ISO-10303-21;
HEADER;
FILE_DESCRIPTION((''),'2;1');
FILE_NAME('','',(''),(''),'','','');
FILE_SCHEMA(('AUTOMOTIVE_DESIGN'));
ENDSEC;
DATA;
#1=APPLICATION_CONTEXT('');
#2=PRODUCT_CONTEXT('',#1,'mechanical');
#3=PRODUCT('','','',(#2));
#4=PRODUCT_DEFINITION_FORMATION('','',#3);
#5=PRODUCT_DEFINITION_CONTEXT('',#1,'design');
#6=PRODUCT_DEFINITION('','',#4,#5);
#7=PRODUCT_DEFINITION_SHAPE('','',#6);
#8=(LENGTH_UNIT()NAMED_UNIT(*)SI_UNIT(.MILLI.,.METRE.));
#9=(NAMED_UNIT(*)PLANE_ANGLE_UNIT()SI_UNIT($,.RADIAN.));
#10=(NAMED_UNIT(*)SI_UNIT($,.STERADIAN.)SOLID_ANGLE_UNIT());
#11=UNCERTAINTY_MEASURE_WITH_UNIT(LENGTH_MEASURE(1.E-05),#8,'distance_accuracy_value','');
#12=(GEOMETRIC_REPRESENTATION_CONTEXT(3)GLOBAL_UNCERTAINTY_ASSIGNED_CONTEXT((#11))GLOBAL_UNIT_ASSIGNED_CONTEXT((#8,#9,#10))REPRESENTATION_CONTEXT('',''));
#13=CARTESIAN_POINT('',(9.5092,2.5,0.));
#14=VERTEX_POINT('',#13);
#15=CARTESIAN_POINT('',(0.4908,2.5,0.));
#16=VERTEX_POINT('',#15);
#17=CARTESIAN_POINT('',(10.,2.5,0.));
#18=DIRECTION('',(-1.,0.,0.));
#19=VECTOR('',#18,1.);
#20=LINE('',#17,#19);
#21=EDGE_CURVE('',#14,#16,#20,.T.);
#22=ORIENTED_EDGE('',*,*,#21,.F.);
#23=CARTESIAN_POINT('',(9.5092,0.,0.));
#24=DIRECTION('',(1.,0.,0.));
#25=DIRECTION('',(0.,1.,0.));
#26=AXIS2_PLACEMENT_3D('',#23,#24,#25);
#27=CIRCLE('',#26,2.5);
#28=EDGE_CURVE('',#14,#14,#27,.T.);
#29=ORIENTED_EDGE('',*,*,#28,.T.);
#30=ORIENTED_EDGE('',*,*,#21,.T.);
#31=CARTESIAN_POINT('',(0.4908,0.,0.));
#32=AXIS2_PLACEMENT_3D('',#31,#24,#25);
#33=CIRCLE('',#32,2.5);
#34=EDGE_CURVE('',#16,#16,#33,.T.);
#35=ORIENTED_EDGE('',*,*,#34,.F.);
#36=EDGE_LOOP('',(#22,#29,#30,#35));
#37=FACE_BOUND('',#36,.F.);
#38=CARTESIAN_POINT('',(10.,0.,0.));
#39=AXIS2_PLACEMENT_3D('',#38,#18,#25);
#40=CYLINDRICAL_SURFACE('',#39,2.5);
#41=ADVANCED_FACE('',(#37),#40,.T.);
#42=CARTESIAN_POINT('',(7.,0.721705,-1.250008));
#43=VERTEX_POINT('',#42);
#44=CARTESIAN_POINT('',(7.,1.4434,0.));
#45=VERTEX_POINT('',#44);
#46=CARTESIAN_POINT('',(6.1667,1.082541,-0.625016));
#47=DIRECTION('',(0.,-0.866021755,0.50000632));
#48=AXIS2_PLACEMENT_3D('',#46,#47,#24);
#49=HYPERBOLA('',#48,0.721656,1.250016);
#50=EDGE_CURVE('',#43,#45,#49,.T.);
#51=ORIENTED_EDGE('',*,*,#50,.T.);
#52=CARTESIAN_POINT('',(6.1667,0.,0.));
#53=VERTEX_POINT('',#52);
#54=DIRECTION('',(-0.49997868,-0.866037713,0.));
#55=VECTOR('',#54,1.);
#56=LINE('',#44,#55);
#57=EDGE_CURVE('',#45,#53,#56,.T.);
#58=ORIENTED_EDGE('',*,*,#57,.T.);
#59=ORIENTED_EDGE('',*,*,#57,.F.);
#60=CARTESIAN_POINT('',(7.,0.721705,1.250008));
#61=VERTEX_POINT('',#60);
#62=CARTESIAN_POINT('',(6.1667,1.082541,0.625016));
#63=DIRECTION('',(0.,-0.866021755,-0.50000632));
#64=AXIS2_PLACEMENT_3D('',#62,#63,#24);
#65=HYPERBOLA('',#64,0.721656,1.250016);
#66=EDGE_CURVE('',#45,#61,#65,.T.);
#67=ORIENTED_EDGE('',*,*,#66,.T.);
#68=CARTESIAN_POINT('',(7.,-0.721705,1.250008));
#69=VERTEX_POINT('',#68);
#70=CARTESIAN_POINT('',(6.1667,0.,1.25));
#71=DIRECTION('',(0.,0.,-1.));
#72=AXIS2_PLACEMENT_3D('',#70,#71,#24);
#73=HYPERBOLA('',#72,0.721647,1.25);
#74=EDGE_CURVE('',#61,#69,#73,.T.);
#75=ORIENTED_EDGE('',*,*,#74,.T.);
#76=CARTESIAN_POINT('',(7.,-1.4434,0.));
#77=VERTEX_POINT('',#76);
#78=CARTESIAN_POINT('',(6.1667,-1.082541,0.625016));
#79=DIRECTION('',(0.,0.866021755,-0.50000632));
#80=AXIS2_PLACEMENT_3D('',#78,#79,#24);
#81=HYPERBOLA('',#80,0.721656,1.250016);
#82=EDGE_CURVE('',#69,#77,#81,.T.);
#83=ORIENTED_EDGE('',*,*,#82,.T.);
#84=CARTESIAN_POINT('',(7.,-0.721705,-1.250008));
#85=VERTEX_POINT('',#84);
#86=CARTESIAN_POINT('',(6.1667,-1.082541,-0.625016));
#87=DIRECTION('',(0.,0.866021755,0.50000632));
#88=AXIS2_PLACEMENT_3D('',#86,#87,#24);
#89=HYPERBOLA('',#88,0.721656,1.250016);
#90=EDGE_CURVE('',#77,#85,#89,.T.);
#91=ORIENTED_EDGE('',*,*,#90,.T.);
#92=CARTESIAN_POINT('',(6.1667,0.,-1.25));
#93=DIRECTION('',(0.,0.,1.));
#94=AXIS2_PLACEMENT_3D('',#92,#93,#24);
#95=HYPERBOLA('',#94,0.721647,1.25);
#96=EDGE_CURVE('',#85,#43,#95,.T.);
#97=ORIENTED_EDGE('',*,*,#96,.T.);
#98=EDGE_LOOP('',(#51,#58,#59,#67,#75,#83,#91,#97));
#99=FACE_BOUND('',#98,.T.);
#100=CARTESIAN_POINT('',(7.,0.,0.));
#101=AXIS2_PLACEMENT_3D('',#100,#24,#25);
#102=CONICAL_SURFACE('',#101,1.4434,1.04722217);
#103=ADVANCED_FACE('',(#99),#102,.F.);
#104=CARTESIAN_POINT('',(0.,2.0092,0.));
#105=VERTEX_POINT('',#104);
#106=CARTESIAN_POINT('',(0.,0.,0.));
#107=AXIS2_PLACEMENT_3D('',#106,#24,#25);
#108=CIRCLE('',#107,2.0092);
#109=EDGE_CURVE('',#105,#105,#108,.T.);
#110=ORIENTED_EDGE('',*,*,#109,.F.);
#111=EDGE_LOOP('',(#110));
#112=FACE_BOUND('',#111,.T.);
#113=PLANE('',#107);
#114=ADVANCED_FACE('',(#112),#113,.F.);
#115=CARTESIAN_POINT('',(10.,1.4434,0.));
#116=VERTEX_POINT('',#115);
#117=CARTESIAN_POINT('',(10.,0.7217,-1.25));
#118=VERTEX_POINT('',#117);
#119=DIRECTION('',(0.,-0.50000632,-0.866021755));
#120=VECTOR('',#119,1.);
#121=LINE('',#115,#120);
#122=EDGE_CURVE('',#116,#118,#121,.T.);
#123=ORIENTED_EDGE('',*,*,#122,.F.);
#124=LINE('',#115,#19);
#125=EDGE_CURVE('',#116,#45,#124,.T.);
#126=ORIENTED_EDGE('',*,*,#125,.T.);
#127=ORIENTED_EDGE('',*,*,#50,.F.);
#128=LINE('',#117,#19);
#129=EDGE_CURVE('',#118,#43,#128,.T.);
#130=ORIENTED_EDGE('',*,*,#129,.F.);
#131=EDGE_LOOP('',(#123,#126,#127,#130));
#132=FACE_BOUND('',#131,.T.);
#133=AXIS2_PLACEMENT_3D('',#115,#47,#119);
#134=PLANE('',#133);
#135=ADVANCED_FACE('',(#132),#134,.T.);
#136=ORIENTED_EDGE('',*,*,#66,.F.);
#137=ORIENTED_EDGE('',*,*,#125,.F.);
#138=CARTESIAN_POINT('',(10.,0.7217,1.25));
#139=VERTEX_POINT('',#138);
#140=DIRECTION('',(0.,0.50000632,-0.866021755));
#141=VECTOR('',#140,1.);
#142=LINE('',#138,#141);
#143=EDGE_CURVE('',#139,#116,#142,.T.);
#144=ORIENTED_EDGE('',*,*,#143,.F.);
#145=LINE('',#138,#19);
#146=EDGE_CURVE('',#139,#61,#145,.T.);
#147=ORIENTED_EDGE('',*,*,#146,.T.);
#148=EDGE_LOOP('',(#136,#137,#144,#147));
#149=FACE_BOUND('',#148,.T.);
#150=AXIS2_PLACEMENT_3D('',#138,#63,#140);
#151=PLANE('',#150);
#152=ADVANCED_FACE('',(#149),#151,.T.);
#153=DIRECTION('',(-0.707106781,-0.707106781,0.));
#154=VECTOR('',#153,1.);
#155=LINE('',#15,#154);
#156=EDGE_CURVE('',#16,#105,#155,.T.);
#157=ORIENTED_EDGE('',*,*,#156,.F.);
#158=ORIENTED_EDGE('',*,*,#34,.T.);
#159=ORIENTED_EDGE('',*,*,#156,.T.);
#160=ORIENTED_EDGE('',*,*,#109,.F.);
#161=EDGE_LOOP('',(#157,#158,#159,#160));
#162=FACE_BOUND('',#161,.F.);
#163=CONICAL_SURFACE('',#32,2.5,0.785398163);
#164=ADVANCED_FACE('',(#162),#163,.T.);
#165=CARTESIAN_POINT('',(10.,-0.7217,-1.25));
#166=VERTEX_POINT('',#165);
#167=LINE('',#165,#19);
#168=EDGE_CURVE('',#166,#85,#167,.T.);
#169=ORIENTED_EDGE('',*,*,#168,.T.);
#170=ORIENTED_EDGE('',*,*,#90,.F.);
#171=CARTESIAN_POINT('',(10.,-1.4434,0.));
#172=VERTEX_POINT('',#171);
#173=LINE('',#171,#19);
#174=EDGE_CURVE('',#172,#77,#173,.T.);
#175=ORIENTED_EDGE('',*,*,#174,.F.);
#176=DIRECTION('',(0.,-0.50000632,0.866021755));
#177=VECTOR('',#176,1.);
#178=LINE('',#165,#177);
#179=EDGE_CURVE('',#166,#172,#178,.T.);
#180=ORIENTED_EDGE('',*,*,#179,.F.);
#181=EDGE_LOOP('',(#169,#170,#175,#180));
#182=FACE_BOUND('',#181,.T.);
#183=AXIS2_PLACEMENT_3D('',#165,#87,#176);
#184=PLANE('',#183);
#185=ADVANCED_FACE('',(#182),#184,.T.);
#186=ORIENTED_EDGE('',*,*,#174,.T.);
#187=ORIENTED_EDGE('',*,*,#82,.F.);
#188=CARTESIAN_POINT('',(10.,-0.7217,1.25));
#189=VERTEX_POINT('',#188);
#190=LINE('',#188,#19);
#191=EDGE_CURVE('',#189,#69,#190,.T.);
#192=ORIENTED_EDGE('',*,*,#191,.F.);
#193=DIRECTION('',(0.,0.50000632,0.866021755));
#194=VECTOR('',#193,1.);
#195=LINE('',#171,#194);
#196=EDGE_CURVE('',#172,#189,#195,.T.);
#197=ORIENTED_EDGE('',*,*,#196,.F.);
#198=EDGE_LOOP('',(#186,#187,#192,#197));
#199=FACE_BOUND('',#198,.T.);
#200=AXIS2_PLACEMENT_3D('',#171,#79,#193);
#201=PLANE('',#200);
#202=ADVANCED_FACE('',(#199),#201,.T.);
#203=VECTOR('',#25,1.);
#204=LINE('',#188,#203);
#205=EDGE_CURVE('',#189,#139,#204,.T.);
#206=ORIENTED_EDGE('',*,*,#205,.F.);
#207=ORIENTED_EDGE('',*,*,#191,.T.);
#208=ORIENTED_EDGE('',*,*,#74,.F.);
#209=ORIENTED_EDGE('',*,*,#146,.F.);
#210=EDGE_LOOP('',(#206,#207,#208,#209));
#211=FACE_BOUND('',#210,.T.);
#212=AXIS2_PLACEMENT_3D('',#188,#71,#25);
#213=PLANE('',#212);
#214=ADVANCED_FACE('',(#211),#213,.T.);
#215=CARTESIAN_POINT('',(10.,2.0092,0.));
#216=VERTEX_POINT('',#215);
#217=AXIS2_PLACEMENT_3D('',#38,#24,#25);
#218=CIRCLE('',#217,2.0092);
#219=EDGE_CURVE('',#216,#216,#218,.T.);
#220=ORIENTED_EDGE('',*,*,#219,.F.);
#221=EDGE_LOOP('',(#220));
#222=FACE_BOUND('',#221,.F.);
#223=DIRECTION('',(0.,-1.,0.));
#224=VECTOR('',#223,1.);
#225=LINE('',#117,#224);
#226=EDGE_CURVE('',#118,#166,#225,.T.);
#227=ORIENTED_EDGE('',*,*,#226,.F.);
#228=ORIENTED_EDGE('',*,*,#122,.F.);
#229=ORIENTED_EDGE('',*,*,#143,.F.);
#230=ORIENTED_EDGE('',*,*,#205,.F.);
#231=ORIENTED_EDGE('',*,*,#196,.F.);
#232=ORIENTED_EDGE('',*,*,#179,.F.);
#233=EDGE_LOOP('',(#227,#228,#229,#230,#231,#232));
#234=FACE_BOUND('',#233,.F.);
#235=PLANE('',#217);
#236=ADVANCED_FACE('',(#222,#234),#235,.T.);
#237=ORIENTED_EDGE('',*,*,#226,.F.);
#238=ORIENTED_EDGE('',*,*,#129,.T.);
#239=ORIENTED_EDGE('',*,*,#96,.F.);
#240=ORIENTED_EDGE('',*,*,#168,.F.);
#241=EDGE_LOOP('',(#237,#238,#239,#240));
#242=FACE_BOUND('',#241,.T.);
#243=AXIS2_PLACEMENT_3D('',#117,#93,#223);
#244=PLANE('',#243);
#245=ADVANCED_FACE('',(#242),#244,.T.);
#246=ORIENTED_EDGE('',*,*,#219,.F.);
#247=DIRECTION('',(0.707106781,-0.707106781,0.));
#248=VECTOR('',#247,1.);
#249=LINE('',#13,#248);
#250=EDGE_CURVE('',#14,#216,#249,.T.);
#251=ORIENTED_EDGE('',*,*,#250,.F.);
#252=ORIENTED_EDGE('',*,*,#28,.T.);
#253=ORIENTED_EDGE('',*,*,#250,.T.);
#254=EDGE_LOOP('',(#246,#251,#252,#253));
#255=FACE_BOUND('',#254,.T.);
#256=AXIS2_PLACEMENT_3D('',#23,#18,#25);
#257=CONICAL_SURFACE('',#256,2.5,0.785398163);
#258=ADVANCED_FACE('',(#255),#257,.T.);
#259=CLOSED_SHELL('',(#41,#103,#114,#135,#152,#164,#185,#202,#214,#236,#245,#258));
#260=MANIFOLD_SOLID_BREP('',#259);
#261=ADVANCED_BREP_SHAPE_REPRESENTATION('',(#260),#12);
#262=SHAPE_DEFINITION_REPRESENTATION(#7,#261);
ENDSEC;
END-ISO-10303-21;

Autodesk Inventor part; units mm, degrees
ref_plane "YZ Plane" through (0, 0, 0) normal (1, 0, 0) x (0, 1, 0)
ref_plane "XZ Plane" through (0, 0, 0) normal (0, 1, 0) x (-1, 0, 0)
sketch "Skizze1" plane through (0, 0, 0) normal (0, 0, 1) x (1, 0, 0)
  line L0 (0, 0) -> (6.1667, 0)
  line L1 (10, 1.4434) -> (10, 2.5)
  line L2 (10, 2.5) -> (0, 2.5)
  line L3 (10, 1.4434) -> (7, 1.4434)
  line L4 (7, 1.4434) -> (6.1667, 0)
  line L5 (0, -0.5) -> (0, 3) projected
  line L6 (0, 2.5) -> (0, 0)
  dimension "d0" = 3
  dimension "d1" = 60
  dimension "d2" = 5
  dimension "d3" = 2.8868
  dimension "d5" = 10
revolve "Körper" add sketch "Skizze1" angle 360 about axis through (0, 0, 0) along (1, 0, 0)
sketch "Skizze2" plane through (10, 0, 0) normal (1, 0, 0) x (0, 1, 0)
  circle A0 centre (0, 0) radius 1.4434 projected
  line L0 (-0.7217, 1.25) -> (0.7217, 1.25)
  line L1 (0.7217, 1.25) -> (1.4434, 0)
  line L2 (1.4434, 0) -> (0.7217, -1.25)
  line L3 (0.7217, -1.25) -> (-0.7217, -1.25)
  line L4 (-0.7217, -1.25) -> (-1.4434, 0)
  line L5 (-1.4434, 0) -> (-0.7217, 1.25)
  point P0 (0, 0)
  point P1 (0, 0)
extrude "Loch" add sketch "Skizze2" against normal up to next contours L1 A0 | A0 L2 | L0 A0 | A0 L3 | L5 A0 | A0 L4
thread "Gewinde" size "M5x0.8" class "6g" standard "ISO Metric profile" length 10
chamfer "Fase1" distance 0.4908 angle 45 1 edges at (10, -2.5, 0) measured on face at (6.6667, 2.4919, -0.2012)
chamfer "Fase2" distance 0.4908 angle 45 1 edges at (0, -2.5, 0) measured on face at (3.1697, 2.4919, -0.2012)
ref_plane "Work Plane1" through (5, 0, 0) normal (0, 0, 1) x (1, 0, 0)
equation "\"d0\" = INTI"
equation "\"d2\" = NND"
equation "\"d3\" = 1.1547 * SW"
equation "\"d5\" = NLG"
equation "\"d8\" = NLG"
equation "\"d10\" = -0.5 * GD1 + 0.5 * NND"
equation "\"d11\" = FAWI"
equation "\"d34\" = -0.5 * GD1 + 0.5 * NND"
equation "\"d12\" = -0.5 * GD1 + 0.5 * NND"
equation "\"d13\" = FAWI"
equation "\"d35\" = -0.5 * GD1 + 0.5 * NND"
equation "\"NND\" = 5"
equation "\"NLG\" = 10"
equation "\"INTI\" = 3"
equation "\"FAWI\" = 45deg"
equation "\"SW\" = 2.5"
equation "\"GD1\" = THREADDIA - 1.2269 * PTC"
equation "\"SPD\" = 3.5"
equation "\"GUL\" = 0.61345 * PTC"
equation "\"TOA\" = 30deg"
equation "\"THREADDIA\" = 5"
equation "\"PTC\" = 0.8"
equation "\"FAWI1\" = 45deg"
equation "\"GAL\" = 0.61345 * PTC"
equation "\"E0\" = 1.155 * SW"
properties part number "DIN 913 - M5 x 10" material "Stahl, weich"
